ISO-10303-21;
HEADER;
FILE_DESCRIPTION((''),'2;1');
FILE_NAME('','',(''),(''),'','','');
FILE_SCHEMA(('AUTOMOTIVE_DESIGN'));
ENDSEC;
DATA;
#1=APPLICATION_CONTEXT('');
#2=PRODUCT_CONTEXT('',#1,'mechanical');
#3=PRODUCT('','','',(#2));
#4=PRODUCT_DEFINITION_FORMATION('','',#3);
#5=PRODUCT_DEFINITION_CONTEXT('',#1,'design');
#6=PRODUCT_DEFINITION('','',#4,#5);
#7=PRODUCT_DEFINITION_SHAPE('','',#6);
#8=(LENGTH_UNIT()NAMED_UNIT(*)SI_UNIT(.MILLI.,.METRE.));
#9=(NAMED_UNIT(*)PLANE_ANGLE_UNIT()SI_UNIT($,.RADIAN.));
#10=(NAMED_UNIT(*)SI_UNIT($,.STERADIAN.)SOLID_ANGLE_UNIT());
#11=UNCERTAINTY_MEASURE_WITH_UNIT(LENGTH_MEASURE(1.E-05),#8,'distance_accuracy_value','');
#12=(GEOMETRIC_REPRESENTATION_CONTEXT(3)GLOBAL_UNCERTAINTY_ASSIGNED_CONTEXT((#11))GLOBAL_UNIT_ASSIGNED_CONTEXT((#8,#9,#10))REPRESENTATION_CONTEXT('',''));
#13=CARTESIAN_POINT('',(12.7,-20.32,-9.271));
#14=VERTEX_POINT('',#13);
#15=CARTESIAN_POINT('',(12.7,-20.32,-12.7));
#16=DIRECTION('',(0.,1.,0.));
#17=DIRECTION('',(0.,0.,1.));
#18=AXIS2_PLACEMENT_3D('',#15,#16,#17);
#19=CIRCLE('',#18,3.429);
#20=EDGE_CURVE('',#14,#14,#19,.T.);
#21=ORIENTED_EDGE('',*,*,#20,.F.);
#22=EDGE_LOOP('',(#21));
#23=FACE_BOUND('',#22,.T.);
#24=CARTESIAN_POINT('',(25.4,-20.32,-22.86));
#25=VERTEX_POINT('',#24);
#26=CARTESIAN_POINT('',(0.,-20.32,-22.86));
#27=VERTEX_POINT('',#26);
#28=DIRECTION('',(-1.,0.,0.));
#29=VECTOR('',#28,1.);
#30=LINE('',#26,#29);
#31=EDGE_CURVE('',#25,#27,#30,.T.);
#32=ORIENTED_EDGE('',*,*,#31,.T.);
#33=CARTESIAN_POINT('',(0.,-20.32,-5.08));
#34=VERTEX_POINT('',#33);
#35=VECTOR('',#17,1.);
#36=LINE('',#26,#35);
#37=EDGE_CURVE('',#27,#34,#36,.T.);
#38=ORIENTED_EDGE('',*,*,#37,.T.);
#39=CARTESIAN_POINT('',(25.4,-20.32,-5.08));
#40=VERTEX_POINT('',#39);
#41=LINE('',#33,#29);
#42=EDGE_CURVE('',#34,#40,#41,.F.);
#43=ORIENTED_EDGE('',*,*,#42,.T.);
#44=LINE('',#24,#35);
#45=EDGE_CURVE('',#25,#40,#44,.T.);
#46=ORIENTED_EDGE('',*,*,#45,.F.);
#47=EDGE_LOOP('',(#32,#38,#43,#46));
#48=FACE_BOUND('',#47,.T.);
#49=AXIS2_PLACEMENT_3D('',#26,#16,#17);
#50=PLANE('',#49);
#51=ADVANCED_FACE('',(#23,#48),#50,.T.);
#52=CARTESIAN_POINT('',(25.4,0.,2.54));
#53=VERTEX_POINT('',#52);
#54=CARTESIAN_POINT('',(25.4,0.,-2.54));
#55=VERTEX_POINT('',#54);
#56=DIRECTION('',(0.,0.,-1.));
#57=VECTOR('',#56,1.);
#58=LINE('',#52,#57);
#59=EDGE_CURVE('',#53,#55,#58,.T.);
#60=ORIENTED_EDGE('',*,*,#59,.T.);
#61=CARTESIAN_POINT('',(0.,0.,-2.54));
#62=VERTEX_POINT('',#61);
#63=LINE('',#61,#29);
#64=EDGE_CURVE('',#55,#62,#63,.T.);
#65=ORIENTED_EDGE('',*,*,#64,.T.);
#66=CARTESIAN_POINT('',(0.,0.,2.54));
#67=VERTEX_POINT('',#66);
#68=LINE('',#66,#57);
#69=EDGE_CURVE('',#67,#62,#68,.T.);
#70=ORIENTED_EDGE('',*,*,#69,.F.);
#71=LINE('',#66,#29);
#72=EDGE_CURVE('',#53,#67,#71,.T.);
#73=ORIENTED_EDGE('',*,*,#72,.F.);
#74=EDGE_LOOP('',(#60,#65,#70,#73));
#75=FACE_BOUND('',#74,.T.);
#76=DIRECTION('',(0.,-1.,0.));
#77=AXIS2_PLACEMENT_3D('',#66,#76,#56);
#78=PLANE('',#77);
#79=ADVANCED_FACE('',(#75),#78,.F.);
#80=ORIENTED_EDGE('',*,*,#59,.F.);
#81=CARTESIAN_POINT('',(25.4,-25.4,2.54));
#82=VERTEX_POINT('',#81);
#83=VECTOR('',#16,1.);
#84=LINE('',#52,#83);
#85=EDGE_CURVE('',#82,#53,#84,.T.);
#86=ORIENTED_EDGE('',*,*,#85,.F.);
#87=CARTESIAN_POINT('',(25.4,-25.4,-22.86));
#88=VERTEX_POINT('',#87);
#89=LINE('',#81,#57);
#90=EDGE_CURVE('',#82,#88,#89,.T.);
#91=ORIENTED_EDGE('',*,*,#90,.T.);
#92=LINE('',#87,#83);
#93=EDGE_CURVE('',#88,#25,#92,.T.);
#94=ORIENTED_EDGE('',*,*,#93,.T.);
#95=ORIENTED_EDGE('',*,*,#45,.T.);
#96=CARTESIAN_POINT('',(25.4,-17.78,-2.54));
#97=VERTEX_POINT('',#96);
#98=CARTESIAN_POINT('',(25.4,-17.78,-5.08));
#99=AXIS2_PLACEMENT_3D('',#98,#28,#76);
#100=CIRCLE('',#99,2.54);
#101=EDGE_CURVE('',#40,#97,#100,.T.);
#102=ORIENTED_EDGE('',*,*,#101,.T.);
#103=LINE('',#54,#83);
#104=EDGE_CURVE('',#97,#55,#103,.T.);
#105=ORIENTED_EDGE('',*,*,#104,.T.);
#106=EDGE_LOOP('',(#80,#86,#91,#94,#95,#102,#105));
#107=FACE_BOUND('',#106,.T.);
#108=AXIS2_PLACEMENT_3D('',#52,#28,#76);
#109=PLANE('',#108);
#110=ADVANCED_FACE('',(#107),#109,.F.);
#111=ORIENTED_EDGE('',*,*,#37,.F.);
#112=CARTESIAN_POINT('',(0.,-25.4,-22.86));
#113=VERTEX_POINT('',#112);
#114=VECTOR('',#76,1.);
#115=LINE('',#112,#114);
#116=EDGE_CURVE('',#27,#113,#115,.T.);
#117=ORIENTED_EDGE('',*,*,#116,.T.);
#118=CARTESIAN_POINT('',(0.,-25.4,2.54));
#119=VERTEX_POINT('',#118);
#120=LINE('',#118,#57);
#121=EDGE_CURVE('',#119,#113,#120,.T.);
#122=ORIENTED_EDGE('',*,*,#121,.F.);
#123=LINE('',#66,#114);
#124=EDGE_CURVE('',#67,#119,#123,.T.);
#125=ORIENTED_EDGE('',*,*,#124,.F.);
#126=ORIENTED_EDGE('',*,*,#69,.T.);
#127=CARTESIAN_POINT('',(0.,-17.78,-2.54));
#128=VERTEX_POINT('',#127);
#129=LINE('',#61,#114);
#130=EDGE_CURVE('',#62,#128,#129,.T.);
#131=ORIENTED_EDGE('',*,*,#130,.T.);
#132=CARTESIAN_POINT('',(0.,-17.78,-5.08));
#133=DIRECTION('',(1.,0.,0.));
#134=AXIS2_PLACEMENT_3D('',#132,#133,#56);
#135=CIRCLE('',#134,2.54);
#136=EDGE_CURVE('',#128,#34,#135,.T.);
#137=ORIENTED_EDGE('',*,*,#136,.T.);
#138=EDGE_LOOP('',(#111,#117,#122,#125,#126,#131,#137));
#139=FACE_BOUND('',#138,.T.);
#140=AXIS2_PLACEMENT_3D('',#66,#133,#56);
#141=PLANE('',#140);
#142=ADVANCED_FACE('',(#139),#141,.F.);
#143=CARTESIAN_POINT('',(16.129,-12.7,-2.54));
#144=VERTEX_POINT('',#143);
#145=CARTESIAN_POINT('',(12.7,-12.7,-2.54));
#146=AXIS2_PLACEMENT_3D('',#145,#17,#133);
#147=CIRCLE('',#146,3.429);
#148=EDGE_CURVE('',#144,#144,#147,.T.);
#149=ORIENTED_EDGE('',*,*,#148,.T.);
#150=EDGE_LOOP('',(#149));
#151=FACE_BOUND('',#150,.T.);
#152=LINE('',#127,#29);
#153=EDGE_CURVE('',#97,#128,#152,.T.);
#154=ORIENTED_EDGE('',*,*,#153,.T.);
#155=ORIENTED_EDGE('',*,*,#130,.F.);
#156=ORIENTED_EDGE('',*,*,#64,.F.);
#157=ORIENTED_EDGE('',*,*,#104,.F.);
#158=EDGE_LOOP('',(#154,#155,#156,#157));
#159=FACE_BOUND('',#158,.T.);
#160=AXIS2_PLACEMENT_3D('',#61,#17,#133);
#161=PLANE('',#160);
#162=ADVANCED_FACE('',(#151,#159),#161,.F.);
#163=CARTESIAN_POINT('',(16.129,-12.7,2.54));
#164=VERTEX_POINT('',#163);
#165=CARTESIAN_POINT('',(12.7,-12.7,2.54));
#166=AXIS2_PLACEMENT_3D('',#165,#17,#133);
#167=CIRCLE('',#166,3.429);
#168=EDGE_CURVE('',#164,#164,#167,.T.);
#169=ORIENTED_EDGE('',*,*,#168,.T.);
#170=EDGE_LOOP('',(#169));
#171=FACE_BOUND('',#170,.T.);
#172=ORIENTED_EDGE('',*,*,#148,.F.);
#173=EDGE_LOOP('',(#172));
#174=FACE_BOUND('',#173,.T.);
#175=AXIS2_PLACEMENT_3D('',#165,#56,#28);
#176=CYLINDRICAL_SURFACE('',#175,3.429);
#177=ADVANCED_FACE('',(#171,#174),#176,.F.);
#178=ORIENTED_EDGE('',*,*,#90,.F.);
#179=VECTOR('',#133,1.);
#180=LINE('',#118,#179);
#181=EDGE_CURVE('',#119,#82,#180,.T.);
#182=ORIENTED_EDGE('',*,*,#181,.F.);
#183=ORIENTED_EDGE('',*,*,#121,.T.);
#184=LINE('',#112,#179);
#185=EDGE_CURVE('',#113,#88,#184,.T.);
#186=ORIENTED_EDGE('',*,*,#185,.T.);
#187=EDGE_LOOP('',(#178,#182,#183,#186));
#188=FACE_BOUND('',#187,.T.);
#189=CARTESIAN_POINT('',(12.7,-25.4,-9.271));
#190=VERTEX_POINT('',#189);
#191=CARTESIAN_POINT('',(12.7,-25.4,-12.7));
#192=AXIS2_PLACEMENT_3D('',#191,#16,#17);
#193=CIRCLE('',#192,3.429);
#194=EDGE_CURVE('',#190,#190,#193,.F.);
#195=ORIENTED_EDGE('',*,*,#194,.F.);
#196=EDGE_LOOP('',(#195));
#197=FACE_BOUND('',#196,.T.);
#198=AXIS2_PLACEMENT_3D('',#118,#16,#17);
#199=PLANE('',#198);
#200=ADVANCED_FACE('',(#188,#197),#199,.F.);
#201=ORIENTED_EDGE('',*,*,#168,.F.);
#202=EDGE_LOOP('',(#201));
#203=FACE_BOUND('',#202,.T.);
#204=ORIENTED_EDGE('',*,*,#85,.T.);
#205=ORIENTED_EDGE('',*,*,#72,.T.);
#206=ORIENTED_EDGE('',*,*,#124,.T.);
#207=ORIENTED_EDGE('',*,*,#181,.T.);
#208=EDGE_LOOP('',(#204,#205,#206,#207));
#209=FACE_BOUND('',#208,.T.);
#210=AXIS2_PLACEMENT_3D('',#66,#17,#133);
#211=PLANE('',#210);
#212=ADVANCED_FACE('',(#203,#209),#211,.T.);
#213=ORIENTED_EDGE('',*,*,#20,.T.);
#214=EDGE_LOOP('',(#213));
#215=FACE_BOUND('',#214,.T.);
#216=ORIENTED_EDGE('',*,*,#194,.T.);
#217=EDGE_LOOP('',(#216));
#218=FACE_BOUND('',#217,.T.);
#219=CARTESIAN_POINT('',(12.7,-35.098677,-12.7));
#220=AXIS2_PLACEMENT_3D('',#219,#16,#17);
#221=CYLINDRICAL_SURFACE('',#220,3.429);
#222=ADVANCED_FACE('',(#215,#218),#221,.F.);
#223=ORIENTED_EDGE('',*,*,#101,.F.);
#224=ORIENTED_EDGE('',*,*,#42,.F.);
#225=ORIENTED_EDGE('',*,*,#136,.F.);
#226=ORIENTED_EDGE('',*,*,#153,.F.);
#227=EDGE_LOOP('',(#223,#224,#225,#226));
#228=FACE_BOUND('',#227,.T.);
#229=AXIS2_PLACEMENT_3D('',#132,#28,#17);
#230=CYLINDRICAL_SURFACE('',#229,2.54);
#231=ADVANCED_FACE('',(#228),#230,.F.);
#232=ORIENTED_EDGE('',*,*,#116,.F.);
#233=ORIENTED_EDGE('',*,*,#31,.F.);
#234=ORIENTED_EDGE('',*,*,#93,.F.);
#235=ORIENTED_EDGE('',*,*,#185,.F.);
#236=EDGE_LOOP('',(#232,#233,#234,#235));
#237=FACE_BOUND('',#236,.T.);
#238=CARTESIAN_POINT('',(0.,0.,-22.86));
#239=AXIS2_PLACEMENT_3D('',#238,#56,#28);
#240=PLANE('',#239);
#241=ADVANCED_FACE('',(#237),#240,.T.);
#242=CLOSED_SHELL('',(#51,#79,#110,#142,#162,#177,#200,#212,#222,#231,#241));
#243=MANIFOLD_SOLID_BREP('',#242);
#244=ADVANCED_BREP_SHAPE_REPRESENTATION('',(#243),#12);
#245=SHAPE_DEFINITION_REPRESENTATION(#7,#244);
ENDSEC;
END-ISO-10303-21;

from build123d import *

# Parameters (mm, degrees)
SKETCH1_W           = 25.4
SKETCH1_H           = 25.4
SKETCH1_R           = 3.429
BOSS_EXTRUDE1_DEPTH = 2.54
SKETCH3_W           = 25.4
SKETCH3_H           = 5.08
BOSS_EXTRUDE2_DEPTH = 25.4
SKETCH4_R           = 3.429
CUT_EXTRUDE1_DEPTH  = 5.08
FILLET1_R           = 2.54


with BuildPart() as part:
    # Sketch1 → Boss-Extrude1 (new, symmetric)
    with BuildSketch(Plane.XY):
        with Locations((12.7, -12.7)):
            Rectangle(SKETCH1_W, SKETCH1_H)
        with Locations((12.7, -12.7)):
            Circle(SKETCH1_R, mode=Mode.SUBTRACT)
    extrude(amount=BOSS_EXTRUDE1_DEPTH, both=True)

    # Sketch3 → Boss-Extrude2 (add)
    with BuildSketch(Plane.XY.offset(2.54)):
        with Locations((12.7, -22.86)):
            Rectangle(SKETCH3_W, SKETCH3_H)
    extrude(amount=-BOSS_EXTRUDE2_DEPTH)

    # Sketch4 → Cut-Extrude1 (cut)
    with BuildSketch(Plane(origin=(0, -20.32, 0), x_dir=(1, 0, 0), z_dir=(0, 1, 0))):
        with Locations(Location((12.7, 12.7, 0), (0, 0, 270))):
            Circle(SKETCH4_R)
    extrude(amount=-CUT_EXTRUDE1_DEPTH, mode=Mode.SUBTRACT)

    # Fillet1
    fillet1_edges = [part.edges().sort_by_distance(p)[0] for p in [
        (12.7, -20.32, -2.54),
    ]]
    fillet(fillet1_edges, radius=FILLET1_R)


solid = part.part
